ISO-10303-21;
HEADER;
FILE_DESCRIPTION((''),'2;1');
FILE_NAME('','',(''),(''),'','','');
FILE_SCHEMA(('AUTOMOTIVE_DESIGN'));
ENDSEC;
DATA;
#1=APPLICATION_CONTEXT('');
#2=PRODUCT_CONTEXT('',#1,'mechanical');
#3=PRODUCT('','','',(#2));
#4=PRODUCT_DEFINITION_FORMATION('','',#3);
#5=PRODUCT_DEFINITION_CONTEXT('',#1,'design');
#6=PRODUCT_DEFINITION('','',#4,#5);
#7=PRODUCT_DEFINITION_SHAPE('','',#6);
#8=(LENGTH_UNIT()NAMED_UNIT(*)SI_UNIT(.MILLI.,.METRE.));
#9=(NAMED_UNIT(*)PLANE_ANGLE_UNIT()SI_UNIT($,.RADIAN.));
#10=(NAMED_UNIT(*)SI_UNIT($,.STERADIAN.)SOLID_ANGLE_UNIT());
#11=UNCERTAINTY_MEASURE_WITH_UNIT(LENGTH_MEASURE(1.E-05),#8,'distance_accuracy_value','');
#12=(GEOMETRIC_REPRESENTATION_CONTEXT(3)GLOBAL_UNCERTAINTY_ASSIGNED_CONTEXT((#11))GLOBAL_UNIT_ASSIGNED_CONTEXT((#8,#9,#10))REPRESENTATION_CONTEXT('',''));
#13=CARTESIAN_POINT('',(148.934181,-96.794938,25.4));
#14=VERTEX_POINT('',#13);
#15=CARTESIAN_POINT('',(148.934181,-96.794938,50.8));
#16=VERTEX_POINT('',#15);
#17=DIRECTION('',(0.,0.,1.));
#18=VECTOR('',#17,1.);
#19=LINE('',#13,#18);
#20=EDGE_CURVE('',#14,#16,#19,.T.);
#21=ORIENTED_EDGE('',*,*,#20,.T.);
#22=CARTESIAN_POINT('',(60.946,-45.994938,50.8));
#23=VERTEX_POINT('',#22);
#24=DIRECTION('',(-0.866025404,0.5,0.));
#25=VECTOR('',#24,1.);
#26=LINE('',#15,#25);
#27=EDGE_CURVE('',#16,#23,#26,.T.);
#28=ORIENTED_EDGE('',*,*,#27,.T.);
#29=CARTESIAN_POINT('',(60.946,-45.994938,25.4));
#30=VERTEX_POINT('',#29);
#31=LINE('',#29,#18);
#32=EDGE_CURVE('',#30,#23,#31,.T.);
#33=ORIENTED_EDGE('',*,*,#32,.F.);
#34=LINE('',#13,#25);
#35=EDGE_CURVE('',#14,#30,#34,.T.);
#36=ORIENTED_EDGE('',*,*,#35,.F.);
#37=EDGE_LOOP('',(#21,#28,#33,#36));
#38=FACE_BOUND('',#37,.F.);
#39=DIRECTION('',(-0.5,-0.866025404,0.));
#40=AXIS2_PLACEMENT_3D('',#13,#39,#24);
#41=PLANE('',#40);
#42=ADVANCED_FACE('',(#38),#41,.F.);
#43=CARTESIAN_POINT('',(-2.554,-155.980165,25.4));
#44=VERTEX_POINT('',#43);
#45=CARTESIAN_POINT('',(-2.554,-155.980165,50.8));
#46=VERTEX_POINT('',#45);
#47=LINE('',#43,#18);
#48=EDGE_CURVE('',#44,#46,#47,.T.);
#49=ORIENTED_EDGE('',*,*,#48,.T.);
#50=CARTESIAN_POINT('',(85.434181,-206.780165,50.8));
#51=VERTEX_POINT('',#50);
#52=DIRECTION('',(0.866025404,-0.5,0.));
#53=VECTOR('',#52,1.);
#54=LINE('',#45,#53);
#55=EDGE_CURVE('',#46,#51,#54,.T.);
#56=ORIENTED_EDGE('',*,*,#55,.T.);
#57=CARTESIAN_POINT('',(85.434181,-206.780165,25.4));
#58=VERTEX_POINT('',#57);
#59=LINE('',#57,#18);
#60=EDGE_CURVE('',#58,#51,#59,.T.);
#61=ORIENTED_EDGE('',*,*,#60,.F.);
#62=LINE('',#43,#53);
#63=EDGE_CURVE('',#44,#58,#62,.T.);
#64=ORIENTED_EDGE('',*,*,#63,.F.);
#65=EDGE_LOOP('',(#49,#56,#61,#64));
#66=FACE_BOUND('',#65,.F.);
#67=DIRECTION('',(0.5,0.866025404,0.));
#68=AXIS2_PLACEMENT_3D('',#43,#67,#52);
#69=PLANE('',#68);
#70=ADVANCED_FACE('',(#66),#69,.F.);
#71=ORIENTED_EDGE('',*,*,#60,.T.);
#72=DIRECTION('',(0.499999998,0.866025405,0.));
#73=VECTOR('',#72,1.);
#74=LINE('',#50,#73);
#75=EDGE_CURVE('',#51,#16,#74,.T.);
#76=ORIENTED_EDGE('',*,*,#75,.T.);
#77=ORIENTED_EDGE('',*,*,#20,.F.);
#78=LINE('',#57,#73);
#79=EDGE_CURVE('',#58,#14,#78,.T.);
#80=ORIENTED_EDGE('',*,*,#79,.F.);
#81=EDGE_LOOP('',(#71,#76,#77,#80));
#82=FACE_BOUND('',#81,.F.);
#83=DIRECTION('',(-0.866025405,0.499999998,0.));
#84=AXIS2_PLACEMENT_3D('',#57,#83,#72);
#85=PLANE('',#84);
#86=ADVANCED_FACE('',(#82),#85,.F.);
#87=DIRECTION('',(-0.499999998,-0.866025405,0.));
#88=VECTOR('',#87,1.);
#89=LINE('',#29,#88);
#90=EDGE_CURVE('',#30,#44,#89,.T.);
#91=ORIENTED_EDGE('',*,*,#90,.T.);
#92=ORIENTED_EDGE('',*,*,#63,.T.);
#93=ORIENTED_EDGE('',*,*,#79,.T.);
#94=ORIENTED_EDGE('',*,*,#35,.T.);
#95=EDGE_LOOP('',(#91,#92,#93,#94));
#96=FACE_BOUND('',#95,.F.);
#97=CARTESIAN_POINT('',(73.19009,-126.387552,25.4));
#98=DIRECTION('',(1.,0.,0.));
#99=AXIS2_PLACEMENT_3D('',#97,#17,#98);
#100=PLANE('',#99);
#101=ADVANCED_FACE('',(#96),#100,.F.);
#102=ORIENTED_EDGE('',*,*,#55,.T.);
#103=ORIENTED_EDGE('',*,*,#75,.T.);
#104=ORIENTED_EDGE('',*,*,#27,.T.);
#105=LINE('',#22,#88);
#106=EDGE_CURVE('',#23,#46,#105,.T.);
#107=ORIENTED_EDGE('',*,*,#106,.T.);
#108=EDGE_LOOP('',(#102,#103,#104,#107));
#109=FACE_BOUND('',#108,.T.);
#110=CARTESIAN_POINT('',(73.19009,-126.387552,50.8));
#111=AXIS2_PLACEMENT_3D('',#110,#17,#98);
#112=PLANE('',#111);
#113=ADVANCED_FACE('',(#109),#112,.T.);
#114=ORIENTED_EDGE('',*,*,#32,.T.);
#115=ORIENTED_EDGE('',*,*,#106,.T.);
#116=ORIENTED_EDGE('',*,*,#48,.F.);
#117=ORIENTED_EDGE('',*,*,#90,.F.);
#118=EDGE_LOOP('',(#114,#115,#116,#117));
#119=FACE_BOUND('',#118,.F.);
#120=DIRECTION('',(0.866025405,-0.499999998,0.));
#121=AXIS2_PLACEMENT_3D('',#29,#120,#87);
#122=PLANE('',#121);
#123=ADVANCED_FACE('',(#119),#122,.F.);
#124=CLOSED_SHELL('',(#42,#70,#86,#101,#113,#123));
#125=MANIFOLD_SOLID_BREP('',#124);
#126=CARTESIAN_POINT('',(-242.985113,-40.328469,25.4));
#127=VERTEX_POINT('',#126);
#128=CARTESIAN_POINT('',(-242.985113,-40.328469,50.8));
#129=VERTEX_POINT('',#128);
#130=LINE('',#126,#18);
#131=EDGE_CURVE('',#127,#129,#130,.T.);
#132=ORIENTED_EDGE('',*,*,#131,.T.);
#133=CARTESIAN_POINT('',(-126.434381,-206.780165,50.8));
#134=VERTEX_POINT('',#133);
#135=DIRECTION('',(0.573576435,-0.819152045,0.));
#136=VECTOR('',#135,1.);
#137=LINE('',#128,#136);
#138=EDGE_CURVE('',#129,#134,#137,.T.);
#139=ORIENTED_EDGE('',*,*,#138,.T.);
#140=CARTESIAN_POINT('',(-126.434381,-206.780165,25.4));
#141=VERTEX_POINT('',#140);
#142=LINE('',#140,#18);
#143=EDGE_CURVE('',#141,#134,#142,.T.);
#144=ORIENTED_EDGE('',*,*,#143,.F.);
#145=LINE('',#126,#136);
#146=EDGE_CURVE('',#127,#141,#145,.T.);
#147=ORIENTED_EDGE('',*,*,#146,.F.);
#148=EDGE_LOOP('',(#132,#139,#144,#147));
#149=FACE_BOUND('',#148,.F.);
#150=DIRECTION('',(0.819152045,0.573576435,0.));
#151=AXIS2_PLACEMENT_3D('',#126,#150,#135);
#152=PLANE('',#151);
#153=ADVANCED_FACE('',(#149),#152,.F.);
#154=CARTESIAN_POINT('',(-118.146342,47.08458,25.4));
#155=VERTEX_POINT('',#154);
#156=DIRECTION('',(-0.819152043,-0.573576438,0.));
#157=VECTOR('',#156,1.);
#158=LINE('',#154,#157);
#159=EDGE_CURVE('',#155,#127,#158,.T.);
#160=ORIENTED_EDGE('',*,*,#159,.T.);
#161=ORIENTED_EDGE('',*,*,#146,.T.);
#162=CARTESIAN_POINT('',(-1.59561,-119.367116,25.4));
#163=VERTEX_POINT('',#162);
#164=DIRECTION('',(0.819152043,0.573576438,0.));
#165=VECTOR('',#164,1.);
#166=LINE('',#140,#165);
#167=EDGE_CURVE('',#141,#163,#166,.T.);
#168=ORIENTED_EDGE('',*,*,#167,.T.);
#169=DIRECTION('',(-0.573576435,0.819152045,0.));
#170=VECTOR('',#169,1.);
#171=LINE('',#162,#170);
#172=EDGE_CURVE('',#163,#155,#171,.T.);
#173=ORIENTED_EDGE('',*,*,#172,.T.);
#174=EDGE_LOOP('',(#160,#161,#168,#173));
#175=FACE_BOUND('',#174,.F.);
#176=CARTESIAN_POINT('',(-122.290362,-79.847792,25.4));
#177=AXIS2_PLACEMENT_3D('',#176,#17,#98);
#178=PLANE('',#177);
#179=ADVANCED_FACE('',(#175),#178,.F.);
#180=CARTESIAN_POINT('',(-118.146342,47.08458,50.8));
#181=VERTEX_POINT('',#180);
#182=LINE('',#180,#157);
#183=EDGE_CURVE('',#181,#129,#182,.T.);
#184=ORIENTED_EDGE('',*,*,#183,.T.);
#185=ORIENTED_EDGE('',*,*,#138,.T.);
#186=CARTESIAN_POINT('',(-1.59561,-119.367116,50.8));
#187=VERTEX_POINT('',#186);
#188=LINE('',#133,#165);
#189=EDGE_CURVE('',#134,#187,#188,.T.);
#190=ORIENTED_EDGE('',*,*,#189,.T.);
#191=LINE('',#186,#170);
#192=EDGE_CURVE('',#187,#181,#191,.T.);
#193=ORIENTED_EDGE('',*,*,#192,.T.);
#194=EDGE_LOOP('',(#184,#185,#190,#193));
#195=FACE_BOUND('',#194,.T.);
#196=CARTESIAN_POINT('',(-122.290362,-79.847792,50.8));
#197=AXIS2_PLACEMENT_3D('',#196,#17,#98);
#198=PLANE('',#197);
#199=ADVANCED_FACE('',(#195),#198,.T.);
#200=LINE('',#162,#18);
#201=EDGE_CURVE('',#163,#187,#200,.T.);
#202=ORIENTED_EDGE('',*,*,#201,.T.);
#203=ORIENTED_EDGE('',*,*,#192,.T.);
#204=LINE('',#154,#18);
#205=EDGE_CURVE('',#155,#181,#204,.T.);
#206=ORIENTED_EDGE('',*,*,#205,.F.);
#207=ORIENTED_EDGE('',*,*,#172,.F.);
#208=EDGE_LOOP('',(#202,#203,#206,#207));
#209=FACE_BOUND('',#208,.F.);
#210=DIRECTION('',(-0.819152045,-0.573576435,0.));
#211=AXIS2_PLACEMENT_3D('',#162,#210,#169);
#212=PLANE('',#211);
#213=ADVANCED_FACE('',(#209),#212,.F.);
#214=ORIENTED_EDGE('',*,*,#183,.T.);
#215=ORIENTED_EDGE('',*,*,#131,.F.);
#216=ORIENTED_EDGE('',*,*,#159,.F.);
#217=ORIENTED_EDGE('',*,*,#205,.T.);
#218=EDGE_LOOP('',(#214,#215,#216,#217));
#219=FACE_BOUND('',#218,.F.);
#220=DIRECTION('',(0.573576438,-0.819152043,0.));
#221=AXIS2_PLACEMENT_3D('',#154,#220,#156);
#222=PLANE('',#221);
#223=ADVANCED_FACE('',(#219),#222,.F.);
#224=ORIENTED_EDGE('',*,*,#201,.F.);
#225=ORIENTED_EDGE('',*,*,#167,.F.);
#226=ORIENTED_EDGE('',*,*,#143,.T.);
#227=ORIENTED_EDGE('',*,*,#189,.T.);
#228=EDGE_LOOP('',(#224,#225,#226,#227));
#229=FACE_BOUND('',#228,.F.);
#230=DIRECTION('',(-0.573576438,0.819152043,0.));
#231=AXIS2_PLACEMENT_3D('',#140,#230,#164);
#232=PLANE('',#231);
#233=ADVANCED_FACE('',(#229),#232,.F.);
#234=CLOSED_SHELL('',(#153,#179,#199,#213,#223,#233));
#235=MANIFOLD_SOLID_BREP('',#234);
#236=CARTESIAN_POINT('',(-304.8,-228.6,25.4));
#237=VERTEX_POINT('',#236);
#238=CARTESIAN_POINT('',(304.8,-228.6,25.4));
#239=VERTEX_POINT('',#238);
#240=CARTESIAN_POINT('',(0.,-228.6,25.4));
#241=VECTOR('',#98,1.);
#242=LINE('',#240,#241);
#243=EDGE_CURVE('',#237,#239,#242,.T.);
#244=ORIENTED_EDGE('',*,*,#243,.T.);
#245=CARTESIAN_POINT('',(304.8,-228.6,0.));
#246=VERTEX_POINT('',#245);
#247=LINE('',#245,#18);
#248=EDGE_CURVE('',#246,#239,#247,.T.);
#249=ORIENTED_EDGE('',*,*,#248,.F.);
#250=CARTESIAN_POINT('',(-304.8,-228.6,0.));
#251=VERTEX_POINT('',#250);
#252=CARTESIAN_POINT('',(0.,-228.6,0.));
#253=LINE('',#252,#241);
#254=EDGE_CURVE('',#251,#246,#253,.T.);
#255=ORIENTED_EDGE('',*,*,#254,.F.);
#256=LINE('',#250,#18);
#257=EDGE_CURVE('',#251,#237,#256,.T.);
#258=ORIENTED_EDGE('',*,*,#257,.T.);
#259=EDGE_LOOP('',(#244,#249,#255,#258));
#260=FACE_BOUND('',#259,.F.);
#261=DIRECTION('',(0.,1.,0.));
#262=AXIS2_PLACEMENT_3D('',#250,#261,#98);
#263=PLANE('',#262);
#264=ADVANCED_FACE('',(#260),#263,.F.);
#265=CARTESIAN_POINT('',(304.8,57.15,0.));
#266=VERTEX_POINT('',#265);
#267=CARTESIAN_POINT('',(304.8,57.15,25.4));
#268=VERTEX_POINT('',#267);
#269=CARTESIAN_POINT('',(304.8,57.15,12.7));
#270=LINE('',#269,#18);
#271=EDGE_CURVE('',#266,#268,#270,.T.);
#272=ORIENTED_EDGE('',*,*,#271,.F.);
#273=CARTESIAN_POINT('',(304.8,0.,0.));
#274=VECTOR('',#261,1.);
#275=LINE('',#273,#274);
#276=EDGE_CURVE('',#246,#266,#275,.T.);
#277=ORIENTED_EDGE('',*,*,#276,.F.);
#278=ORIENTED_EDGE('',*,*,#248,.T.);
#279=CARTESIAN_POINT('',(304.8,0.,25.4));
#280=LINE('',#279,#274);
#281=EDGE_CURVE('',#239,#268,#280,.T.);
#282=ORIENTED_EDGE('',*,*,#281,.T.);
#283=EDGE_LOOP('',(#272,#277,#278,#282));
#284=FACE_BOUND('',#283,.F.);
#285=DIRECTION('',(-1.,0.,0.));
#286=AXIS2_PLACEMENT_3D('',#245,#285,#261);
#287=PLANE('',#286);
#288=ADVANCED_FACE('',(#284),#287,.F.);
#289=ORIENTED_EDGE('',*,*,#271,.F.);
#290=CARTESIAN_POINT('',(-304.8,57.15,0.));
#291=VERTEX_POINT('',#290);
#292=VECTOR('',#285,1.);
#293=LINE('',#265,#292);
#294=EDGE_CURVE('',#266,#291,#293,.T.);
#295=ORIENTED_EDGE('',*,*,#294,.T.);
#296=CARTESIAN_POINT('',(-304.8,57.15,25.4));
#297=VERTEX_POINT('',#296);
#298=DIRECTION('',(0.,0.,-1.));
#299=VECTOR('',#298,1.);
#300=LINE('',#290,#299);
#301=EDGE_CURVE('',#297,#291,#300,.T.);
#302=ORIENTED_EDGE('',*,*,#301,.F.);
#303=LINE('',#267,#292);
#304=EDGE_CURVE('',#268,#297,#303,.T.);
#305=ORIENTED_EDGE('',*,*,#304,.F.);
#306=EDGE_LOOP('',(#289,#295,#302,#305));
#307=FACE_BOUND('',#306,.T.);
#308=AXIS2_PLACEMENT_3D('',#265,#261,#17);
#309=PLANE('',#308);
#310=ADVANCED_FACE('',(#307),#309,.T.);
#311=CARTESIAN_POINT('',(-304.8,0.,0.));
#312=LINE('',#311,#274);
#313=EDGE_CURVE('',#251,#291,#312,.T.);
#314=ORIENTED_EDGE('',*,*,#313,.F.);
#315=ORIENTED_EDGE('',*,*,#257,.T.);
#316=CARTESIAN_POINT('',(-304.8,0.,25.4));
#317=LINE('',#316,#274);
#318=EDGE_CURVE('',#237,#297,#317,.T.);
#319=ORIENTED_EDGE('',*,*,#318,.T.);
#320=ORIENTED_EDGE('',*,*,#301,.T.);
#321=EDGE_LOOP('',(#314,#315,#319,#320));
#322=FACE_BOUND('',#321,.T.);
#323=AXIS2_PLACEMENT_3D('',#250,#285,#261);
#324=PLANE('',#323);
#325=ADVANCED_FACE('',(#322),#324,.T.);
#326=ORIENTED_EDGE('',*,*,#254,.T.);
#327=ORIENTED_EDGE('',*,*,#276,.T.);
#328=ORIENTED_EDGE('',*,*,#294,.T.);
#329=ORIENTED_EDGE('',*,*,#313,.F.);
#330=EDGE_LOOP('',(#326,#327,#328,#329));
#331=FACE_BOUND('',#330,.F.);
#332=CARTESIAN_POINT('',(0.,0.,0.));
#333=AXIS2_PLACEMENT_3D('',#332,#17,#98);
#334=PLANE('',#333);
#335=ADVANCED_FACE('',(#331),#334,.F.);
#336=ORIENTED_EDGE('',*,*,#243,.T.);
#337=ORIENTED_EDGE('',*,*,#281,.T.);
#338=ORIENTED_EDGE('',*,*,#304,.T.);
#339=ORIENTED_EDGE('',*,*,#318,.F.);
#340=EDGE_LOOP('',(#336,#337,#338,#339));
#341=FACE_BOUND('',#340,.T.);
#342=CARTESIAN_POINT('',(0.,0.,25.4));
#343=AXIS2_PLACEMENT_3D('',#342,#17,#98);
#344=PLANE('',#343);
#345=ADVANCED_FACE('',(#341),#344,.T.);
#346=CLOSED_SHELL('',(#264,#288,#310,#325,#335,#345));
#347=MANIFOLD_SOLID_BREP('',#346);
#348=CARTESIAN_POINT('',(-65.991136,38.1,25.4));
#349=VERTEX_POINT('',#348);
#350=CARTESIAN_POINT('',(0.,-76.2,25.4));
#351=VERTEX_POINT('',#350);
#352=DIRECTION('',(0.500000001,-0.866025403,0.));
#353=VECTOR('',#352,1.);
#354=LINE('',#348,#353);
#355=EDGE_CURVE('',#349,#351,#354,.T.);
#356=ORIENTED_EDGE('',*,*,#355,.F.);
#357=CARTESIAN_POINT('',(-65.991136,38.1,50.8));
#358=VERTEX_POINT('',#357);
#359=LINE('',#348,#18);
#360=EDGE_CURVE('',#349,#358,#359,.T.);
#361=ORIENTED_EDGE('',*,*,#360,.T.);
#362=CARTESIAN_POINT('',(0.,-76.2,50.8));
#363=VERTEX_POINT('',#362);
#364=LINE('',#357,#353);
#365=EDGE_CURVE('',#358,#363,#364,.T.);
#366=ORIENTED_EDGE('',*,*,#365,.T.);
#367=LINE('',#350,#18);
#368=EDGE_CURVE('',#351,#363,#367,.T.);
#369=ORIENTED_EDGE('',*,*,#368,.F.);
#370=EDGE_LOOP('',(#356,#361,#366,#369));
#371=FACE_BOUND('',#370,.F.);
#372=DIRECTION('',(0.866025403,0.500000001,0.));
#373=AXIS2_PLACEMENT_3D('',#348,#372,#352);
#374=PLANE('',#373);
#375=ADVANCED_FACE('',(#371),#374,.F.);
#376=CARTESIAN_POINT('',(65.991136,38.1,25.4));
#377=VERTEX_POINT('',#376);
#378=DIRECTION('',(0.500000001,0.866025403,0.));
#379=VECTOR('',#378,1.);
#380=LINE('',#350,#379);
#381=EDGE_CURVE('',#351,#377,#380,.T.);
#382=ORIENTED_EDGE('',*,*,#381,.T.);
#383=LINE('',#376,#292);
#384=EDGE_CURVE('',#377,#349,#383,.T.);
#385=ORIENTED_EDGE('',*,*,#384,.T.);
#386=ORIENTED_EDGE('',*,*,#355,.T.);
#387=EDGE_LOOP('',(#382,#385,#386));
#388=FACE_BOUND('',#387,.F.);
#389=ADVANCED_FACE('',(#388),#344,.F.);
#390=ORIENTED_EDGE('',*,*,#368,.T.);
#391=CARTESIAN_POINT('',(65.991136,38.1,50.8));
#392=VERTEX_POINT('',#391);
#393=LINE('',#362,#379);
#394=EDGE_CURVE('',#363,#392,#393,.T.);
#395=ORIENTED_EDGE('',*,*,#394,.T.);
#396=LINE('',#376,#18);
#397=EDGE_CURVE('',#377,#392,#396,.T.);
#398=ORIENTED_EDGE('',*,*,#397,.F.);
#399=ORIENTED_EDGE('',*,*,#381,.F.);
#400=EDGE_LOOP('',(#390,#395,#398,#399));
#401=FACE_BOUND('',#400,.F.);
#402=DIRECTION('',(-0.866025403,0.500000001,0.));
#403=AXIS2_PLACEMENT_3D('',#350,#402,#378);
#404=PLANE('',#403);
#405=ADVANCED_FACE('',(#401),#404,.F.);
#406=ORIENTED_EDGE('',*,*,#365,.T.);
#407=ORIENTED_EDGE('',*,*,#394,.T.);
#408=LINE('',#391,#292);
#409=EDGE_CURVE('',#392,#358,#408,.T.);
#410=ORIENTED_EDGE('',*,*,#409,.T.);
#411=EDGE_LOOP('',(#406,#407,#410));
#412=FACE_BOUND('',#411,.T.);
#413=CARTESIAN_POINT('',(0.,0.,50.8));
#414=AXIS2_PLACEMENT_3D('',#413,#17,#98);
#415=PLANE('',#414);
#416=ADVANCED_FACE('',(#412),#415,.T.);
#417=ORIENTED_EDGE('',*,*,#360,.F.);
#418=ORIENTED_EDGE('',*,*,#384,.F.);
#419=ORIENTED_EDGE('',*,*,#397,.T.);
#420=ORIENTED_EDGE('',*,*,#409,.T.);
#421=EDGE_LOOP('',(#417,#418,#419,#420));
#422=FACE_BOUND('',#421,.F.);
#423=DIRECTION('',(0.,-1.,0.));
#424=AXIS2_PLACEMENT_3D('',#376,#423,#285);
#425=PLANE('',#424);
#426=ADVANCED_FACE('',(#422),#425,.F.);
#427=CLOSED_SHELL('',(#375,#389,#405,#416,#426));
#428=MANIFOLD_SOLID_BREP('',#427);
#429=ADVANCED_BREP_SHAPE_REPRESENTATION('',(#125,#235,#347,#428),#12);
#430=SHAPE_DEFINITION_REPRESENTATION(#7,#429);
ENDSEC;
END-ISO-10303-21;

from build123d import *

# Parameters (mm, degrees)
F0_W     = 609.6
F0_H     = 457.2
F1_DEPTH = 25.4
F3_DEPTH = 25.4
F4_W     = 171.45
F4_H     = 25.4
F5_DEPTH = 609.601


with BuildPart() as f1:
    # F0 (on Top) → F1 (new body)
    with BuildSketch(Plane.XY):
        Rectangle(F0_W, F0_H)
    extrude(amount=F1_DEPTH)

    # F4 (on face) → F5 (cut, through all)
    with BuildSketch(Plane.YZ.offset(304.8)):
        with Locations((142.875, 12.7)):
            Rectangle(F4_W, F4_H)
    extrude(amount=-F5_DEPTH, mode=Mode.SUBTRACT)


with BuildPart() as f3:
    # F2 (on face) → F3 (new body)
    with BuildSketch(Plane.XY.offset(25.4)):
        Polygon((0, -76.2), (65.991136, 38.1), (-65.991136, 38.1), align=None)
        Polygon((-118.146342, 47.08458), (-242.985113, -40.328469), (-126.434381, -206.780165), (-1.59561, -119.367116), align=None)
        Polygon((-2.554, -155.980165), (85.434181, -206.780165), (148.934181, -96.794938), (60.946, -45.994938), align=None)
    extrude(amount=F3_DEPTH)


solid = Compound([f1.part, f3.part])
